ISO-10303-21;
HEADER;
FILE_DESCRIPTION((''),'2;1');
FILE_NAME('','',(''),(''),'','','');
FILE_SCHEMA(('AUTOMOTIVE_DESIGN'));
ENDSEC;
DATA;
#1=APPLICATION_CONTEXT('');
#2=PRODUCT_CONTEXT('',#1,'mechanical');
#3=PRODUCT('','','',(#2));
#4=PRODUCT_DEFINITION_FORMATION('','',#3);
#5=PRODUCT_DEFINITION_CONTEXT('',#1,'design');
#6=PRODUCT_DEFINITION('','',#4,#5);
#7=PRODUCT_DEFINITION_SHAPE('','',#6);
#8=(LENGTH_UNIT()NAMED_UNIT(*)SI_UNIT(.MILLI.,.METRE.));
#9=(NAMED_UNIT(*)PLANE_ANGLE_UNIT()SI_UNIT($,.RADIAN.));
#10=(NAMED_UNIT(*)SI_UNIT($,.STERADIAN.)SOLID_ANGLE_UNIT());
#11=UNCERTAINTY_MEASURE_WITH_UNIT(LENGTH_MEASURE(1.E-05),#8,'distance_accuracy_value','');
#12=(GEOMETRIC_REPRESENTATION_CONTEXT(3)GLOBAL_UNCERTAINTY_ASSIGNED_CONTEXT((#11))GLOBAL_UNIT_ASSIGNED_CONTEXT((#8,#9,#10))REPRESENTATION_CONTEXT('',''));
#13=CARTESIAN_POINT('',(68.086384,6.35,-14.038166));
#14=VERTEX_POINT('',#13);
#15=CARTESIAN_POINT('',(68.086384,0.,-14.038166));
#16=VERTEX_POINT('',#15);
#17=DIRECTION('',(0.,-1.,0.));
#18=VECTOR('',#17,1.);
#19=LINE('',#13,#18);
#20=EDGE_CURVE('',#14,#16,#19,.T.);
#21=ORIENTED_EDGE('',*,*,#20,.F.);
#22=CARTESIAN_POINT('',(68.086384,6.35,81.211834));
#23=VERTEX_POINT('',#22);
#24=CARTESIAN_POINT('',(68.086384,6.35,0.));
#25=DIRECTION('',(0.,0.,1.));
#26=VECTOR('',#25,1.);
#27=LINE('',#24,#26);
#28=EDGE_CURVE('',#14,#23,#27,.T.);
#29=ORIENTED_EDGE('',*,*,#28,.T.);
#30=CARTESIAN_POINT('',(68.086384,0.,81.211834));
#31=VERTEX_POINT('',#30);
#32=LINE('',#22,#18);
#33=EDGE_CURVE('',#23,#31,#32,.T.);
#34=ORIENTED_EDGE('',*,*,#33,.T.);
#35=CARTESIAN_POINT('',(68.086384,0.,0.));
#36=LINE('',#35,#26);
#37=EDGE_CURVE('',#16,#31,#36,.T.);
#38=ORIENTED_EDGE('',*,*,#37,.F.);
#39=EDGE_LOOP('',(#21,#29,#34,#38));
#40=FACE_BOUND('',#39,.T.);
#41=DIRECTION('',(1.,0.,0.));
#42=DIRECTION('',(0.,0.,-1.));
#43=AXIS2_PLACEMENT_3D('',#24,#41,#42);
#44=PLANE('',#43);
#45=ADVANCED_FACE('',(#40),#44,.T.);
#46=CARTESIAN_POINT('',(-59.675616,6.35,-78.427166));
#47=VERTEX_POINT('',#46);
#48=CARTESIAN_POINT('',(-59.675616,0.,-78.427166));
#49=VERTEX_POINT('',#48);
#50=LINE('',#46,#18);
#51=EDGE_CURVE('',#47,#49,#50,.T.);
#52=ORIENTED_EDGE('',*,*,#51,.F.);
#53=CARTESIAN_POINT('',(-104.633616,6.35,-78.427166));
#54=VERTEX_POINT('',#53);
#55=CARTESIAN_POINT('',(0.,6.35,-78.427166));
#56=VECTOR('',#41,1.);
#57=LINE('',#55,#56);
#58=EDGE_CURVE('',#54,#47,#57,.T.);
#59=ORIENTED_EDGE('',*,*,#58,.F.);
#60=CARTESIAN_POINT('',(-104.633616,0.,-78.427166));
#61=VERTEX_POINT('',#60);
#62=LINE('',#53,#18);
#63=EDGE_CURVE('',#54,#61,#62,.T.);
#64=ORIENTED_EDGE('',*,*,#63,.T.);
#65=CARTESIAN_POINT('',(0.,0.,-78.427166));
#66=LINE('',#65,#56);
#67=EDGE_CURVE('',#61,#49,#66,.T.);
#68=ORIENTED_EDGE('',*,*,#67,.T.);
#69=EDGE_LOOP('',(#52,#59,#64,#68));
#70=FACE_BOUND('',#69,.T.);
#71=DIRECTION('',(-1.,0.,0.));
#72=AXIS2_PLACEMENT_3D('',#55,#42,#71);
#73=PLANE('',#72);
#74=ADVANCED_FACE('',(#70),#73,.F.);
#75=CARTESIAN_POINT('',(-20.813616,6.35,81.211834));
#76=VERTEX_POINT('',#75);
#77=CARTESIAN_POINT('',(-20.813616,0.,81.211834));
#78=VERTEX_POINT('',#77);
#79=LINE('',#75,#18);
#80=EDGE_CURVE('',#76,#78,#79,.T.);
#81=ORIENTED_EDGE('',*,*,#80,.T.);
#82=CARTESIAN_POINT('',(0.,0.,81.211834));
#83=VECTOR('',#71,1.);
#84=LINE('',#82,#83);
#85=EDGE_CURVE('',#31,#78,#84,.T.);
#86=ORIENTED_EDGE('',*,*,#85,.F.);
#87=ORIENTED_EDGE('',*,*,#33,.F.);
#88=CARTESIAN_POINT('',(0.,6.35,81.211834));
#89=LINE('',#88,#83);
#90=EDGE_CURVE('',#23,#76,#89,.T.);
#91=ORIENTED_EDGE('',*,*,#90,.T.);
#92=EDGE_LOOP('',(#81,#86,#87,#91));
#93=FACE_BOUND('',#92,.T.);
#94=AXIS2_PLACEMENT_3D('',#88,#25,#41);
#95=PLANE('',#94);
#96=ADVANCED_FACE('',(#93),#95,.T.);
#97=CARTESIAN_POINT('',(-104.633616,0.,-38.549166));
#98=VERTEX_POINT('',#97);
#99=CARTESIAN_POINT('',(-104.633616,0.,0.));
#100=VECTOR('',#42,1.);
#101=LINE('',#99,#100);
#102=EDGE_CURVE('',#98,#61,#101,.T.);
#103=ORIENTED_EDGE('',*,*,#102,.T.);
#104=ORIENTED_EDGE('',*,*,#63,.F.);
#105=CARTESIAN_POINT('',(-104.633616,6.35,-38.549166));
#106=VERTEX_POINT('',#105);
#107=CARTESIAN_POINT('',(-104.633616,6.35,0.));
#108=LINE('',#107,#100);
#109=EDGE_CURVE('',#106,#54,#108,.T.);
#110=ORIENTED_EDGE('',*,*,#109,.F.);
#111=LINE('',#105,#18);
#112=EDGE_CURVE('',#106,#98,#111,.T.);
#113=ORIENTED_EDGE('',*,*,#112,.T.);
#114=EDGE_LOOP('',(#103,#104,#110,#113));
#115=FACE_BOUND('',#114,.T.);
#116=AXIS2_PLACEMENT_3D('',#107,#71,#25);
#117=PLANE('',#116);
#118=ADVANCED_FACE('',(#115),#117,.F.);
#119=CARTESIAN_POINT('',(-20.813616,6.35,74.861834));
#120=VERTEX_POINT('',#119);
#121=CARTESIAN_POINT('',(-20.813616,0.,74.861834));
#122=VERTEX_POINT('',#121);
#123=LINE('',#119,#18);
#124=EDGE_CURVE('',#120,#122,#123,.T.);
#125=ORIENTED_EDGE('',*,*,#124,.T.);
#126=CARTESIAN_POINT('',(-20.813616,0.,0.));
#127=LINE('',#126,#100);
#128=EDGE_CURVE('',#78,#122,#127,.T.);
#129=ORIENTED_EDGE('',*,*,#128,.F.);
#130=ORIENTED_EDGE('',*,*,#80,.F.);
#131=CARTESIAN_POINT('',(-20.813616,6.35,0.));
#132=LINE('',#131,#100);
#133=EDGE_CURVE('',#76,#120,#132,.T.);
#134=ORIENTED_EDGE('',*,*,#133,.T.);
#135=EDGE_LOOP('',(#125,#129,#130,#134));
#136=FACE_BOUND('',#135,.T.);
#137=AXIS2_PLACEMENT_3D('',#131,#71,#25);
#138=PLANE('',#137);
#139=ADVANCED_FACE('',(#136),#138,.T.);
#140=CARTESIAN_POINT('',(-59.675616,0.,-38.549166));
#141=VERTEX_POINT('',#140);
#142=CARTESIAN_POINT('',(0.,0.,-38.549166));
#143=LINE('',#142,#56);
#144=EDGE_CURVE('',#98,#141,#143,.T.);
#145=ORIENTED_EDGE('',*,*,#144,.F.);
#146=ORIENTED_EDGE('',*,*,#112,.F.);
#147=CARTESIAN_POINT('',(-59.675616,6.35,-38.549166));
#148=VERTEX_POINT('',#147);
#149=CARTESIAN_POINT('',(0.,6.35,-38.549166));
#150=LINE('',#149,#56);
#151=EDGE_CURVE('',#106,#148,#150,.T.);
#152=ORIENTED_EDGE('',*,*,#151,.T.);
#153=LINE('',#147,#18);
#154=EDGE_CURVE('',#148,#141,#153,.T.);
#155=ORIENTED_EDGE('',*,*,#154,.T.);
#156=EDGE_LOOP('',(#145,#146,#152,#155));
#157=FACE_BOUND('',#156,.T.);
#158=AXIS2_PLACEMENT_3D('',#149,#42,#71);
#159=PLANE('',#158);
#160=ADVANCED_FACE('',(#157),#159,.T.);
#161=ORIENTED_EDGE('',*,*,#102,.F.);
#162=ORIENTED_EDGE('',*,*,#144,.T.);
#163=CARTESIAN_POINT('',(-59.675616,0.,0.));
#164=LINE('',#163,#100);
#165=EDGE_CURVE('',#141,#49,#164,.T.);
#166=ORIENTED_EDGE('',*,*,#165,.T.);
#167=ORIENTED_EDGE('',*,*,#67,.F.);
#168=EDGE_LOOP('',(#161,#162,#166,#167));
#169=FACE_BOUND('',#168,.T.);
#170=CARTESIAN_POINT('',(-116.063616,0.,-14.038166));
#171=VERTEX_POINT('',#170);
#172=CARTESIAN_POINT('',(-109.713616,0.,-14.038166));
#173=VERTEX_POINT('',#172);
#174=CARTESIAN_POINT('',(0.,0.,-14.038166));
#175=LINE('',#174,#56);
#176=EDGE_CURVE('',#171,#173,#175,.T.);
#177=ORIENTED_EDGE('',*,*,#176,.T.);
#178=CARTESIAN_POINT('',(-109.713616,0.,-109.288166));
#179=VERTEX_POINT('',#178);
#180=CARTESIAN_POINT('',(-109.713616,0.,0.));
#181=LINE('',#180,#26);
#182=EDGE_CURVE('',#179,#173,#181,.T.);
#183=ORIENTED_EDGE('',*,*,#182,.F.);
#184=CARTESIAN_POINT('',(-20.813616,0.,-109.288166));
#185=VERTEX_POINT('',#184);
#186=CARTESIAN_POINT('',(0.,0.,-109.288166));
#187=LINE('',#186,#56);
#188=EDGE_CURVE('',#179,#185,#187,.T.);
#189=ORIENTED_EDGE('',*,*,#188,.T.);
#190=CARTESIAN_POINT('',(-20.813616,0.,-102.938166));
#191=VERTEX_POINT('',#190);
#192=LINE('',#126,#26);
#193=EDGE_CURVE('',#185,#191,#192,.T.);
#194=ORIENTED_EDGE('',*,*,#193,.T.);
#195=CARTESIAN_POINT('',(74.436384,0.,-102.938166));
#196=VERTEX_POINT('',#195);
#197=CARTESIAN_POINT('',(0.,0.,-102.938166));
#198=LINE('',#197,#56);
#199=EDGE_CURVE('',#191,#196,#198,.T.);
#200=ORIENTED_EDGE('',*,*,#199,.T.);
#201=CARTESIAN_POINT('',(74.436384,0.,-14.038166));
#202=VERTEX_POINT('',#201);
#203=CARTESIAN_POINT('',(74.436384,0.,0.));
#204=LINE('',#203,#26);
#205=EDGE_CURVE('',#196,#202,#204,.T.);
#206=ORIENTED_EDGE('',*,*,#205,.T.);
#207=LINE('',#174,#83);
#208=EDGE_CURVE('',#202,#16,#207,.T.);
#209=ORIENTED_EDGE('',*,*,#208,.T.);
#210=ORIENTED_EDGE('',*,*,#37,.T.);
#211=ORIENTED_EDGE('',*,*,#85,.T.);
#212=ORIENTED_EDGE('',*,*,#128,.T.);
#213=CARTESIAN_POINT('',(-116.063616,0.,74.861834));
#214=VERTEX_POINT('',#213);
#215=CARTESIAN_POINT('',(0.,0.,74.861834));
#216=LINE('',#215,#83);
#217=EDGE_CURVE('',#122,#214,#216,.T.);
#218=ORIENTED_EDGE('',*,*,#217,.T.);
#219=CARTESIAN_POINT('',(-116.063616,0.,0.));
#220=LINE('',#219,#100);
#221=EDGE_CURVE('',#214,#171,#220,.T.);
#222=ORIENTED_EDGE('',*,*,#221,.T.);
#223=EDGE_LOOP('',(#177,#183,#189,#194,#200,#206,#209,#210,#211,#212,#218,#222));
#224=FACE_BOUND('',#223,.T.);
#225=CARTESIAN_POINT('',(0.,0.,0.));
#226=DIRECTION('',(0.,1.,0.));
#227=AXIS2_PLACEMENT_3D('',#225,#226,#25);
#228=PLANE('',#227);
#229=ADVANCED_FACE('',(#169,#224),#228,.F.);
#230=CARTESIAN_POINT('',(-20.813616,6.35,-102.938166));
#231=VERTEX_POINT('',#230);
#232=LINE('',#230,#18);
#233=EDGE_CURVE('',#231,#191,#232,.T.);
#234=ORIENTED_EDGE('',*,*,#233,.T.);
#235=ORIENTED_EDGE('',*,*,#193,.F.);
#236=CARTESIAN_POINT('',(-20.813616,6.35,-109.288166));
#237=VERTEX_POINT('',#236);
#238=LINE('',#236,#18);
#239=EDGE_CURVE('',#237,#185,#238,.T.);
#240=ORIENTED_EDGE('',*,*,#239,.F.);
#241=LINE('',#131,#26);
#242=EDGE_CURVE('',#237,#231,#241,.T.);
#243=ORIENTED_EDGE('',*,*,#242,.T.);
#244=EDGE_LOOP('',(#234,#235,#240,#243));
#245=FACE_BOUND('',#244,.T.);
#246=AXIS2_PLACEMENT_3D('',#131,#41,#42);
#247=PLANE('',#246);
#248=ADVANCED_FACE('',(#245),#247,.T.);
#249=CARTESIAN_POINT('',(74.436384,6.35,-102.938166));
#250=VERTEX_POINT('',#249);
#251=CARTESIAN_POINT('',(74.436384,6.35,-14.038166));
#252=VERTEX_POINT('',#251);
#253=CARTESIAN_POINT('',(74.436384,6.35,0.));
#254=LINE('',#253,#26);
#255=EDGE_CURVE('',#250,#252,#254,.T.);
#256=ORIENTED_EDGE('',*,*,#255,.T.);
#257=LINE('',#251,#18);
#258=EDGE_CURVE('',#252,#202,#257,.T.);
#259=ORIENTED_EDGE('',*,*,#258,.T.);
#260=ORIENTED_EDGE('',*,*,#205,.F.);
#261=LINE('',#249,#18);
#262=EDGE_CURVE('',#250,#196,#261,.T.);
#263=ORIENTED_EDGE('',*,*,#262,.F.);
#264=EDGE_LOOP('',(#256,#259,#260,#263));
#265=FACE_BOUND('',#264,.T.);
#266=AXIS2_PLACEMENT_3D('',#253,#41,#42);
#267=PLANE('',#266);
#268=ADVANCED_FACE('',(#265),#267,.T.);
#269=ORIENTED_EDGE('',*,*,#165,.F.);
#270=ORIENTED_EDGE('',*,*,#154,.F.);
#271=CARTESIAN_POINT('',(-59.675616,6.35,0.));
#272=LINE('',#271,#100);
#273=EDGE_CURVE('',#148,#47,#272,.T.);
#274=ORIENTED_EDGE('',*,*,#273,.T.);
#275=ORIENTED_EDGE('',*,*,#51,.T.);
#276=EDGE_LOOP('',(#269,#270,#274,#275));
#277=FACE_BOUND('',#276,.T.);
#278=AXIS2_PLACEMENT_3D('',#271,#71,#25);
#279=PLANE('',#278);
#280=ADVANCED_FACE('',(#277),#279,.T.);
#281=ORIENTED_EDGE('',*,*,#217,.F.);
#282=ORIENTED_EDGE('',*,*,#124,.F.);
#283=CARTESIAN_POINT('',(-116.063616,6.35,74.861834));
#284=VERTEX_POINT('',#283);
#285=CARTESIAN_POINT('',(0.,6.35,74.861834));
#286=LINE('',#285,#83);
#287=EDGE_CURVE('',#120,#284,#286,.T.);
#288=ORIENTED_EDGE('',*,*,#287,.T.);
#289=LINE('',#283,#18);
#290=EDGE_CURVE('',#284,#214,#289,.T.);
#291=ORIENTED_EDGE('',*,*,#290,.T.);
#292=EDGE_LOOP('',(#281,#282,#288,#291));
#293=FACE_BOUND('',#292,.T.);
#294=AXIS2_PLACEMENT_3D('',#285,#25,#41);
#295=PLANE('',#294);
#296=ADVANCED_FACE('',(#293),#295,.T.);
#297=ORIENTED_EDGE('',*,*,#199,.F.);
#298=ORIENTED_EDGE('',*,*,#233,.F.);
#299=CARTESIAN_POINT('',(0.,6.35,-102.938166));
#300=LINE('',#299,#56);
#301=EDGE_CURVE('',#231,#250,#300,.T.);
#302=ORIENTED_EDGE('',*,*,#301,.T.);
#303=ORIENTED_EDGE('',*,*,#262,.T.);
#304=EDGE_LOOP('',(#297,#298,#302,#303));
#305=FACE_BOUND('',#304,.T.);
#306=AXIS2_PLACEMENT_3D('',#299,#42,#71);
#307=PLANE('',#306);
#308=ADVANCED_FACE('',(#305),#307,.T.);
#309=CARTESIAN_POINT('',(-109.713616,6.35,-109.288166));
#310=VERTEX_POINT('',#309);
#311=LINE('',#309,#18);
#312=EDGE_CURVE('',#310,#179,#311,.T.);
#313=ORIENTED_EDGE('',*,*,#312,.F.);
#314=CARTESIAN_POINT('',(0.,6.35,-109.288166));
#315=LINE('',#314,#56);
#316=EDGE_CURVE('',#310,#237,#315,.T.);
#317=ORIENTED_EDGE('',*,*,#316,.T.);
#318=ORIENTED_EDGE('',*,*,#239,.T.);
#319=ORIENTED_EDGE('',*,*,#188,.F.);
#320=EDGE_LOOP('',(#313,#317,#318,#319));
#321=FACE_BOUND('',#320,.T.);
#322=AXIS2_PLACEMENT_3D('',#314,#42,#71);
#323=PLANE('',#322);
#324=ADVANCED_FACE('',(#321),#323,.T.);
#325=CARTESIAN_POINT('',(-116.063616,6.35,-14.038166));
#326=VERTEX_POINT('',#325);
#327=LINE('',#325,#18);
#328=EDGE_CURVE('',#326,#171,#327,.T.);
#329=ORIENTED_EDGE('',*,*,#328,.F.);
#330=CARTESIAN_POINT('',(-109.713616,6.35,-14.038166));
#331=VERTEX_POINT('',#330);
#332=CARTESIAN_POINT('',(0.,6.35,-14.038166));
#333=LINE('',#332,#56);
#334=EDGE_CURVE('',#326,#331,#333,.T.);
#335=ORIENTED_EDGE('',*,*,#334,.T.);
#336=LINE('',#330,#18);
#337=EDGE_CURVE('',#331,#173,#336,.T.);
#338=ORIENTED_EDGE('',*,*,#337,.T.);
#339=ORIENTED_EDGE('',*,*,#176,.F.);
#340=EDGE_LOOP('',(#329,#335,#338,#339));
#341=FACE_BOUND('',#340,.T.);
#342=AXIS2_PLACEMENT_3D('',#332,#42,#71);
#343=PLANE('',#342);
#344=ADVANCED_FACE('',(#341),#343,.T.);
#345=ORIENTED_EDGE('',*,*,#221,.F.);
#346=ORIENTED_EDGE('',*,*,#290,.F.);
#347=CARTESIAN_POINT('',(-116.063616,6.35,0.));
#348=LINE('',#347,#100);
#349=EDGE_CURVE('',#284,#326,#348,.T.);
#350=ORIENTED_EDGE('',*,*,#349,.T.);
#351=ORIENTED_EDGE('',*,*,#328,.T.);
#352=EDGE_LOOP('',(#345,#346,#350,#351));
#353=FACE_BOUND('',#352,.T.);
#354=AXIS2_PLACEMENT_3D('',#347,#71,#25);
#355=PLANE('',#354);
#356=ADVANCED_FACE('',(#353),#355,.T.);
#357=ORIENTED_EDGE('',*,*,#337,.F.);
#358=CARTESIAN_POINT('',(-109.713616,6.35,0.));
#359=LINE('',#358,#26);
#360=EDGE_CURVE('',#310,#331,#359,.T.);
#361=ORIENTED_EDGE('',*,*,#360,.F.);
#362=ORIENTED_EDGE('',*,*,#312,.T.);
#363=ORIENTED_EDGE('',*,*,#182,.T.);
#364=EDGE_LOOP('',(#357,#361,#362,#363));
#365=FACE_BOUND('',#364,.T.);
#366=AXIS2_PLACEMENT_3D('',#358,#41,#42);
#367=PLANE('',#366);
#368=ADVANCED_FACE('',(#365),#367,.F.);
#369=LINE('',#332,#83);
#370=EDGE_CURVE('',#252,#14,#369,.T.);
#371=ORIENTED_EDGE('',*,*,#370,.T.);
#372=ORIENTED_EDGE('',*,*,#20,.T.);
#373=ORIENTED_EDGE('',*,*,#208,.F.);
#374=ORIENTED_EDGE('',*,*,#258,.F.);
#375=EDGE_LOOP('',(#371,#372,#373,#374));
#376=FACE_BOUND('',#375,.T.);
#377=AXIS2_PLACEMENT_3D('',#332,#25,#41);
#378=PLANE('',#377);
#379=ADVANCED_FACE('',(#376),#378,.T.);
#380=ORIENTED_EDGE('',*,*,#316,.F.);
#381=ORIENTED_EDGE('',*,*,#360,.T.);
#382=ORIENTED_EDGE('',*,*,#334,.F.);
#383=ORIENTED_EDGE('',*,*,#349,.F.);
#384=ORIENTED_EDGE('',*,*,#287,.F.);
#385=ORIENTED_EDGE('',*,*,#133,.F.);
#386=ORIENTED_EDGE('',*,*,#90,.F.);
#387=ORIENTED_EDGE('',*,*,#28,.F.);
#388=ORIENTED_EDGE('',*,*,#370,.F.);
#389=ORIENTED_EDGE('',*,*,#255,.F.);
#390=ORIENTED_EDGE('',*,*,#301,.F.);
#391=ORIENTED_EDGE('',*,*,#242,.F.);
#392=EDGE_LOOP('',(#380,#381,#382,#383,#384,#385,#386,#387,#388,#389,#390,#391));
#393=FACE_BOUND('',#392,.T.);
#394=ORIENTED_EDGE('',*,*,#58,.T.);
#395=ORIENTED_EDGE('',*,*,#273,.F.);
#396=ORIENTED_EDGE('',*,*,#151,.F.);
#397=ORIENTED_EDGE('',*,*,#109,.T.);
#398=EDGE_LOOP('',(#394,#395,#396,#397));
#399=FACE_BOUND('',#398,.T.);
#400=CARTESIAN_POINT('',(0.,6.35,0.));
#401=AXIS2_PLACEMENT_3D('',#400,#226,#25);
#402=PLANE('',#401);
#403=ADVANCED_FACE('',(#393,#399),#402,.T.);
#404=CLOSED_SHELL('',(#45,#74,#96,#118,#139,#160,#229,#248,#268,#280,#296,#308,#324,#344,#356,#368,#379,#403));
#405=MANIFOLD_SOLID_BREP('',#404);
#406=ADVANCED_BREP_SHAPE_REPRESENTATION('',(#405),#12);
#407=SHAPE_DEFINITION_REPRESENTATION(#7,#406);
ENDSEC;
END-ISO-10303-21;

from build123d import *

# Parameters (mm, degrees)
SKETCH1_W           = 44.958
SKETCH1_H           = 39.878
BOSS_EXTRUDE1_DEPTH = 6.35


with BuildPart() as part:
    # Sketch1 → Boss-Extrude1 (new body)
    with BuildSketch(Plane(origin=(0, 0, 0), x_dir=(1, 0, 0), z_dir=(0, 1, 0))):
        Polygon((-109.713615828, 109.288165603), (-109.713615828, 14.038165603), (-116.063615828, 14.038165603), (-116.063615828, -74.861834397), (-20.813615828, -74.861834397), (-20.813615828, -81.211834397), (68.086384172, -81.211834397), (68.086384172, 14.038165603), (74.436384172, 14.038165603), (74.436384172, 102.938165603), (-20.813615828, 102.938165603), (-20.813615828, 109.288165603), align=None)
        with Locations((-82.154615828, 58.488165603)):
            Rectangle(SKETCH1_W, SKETCH1_H, mode=Mode.SUBTRACT)
    extrude(amount=BOSS_EXTRUDE1_DEPTH)


solid = part.part
